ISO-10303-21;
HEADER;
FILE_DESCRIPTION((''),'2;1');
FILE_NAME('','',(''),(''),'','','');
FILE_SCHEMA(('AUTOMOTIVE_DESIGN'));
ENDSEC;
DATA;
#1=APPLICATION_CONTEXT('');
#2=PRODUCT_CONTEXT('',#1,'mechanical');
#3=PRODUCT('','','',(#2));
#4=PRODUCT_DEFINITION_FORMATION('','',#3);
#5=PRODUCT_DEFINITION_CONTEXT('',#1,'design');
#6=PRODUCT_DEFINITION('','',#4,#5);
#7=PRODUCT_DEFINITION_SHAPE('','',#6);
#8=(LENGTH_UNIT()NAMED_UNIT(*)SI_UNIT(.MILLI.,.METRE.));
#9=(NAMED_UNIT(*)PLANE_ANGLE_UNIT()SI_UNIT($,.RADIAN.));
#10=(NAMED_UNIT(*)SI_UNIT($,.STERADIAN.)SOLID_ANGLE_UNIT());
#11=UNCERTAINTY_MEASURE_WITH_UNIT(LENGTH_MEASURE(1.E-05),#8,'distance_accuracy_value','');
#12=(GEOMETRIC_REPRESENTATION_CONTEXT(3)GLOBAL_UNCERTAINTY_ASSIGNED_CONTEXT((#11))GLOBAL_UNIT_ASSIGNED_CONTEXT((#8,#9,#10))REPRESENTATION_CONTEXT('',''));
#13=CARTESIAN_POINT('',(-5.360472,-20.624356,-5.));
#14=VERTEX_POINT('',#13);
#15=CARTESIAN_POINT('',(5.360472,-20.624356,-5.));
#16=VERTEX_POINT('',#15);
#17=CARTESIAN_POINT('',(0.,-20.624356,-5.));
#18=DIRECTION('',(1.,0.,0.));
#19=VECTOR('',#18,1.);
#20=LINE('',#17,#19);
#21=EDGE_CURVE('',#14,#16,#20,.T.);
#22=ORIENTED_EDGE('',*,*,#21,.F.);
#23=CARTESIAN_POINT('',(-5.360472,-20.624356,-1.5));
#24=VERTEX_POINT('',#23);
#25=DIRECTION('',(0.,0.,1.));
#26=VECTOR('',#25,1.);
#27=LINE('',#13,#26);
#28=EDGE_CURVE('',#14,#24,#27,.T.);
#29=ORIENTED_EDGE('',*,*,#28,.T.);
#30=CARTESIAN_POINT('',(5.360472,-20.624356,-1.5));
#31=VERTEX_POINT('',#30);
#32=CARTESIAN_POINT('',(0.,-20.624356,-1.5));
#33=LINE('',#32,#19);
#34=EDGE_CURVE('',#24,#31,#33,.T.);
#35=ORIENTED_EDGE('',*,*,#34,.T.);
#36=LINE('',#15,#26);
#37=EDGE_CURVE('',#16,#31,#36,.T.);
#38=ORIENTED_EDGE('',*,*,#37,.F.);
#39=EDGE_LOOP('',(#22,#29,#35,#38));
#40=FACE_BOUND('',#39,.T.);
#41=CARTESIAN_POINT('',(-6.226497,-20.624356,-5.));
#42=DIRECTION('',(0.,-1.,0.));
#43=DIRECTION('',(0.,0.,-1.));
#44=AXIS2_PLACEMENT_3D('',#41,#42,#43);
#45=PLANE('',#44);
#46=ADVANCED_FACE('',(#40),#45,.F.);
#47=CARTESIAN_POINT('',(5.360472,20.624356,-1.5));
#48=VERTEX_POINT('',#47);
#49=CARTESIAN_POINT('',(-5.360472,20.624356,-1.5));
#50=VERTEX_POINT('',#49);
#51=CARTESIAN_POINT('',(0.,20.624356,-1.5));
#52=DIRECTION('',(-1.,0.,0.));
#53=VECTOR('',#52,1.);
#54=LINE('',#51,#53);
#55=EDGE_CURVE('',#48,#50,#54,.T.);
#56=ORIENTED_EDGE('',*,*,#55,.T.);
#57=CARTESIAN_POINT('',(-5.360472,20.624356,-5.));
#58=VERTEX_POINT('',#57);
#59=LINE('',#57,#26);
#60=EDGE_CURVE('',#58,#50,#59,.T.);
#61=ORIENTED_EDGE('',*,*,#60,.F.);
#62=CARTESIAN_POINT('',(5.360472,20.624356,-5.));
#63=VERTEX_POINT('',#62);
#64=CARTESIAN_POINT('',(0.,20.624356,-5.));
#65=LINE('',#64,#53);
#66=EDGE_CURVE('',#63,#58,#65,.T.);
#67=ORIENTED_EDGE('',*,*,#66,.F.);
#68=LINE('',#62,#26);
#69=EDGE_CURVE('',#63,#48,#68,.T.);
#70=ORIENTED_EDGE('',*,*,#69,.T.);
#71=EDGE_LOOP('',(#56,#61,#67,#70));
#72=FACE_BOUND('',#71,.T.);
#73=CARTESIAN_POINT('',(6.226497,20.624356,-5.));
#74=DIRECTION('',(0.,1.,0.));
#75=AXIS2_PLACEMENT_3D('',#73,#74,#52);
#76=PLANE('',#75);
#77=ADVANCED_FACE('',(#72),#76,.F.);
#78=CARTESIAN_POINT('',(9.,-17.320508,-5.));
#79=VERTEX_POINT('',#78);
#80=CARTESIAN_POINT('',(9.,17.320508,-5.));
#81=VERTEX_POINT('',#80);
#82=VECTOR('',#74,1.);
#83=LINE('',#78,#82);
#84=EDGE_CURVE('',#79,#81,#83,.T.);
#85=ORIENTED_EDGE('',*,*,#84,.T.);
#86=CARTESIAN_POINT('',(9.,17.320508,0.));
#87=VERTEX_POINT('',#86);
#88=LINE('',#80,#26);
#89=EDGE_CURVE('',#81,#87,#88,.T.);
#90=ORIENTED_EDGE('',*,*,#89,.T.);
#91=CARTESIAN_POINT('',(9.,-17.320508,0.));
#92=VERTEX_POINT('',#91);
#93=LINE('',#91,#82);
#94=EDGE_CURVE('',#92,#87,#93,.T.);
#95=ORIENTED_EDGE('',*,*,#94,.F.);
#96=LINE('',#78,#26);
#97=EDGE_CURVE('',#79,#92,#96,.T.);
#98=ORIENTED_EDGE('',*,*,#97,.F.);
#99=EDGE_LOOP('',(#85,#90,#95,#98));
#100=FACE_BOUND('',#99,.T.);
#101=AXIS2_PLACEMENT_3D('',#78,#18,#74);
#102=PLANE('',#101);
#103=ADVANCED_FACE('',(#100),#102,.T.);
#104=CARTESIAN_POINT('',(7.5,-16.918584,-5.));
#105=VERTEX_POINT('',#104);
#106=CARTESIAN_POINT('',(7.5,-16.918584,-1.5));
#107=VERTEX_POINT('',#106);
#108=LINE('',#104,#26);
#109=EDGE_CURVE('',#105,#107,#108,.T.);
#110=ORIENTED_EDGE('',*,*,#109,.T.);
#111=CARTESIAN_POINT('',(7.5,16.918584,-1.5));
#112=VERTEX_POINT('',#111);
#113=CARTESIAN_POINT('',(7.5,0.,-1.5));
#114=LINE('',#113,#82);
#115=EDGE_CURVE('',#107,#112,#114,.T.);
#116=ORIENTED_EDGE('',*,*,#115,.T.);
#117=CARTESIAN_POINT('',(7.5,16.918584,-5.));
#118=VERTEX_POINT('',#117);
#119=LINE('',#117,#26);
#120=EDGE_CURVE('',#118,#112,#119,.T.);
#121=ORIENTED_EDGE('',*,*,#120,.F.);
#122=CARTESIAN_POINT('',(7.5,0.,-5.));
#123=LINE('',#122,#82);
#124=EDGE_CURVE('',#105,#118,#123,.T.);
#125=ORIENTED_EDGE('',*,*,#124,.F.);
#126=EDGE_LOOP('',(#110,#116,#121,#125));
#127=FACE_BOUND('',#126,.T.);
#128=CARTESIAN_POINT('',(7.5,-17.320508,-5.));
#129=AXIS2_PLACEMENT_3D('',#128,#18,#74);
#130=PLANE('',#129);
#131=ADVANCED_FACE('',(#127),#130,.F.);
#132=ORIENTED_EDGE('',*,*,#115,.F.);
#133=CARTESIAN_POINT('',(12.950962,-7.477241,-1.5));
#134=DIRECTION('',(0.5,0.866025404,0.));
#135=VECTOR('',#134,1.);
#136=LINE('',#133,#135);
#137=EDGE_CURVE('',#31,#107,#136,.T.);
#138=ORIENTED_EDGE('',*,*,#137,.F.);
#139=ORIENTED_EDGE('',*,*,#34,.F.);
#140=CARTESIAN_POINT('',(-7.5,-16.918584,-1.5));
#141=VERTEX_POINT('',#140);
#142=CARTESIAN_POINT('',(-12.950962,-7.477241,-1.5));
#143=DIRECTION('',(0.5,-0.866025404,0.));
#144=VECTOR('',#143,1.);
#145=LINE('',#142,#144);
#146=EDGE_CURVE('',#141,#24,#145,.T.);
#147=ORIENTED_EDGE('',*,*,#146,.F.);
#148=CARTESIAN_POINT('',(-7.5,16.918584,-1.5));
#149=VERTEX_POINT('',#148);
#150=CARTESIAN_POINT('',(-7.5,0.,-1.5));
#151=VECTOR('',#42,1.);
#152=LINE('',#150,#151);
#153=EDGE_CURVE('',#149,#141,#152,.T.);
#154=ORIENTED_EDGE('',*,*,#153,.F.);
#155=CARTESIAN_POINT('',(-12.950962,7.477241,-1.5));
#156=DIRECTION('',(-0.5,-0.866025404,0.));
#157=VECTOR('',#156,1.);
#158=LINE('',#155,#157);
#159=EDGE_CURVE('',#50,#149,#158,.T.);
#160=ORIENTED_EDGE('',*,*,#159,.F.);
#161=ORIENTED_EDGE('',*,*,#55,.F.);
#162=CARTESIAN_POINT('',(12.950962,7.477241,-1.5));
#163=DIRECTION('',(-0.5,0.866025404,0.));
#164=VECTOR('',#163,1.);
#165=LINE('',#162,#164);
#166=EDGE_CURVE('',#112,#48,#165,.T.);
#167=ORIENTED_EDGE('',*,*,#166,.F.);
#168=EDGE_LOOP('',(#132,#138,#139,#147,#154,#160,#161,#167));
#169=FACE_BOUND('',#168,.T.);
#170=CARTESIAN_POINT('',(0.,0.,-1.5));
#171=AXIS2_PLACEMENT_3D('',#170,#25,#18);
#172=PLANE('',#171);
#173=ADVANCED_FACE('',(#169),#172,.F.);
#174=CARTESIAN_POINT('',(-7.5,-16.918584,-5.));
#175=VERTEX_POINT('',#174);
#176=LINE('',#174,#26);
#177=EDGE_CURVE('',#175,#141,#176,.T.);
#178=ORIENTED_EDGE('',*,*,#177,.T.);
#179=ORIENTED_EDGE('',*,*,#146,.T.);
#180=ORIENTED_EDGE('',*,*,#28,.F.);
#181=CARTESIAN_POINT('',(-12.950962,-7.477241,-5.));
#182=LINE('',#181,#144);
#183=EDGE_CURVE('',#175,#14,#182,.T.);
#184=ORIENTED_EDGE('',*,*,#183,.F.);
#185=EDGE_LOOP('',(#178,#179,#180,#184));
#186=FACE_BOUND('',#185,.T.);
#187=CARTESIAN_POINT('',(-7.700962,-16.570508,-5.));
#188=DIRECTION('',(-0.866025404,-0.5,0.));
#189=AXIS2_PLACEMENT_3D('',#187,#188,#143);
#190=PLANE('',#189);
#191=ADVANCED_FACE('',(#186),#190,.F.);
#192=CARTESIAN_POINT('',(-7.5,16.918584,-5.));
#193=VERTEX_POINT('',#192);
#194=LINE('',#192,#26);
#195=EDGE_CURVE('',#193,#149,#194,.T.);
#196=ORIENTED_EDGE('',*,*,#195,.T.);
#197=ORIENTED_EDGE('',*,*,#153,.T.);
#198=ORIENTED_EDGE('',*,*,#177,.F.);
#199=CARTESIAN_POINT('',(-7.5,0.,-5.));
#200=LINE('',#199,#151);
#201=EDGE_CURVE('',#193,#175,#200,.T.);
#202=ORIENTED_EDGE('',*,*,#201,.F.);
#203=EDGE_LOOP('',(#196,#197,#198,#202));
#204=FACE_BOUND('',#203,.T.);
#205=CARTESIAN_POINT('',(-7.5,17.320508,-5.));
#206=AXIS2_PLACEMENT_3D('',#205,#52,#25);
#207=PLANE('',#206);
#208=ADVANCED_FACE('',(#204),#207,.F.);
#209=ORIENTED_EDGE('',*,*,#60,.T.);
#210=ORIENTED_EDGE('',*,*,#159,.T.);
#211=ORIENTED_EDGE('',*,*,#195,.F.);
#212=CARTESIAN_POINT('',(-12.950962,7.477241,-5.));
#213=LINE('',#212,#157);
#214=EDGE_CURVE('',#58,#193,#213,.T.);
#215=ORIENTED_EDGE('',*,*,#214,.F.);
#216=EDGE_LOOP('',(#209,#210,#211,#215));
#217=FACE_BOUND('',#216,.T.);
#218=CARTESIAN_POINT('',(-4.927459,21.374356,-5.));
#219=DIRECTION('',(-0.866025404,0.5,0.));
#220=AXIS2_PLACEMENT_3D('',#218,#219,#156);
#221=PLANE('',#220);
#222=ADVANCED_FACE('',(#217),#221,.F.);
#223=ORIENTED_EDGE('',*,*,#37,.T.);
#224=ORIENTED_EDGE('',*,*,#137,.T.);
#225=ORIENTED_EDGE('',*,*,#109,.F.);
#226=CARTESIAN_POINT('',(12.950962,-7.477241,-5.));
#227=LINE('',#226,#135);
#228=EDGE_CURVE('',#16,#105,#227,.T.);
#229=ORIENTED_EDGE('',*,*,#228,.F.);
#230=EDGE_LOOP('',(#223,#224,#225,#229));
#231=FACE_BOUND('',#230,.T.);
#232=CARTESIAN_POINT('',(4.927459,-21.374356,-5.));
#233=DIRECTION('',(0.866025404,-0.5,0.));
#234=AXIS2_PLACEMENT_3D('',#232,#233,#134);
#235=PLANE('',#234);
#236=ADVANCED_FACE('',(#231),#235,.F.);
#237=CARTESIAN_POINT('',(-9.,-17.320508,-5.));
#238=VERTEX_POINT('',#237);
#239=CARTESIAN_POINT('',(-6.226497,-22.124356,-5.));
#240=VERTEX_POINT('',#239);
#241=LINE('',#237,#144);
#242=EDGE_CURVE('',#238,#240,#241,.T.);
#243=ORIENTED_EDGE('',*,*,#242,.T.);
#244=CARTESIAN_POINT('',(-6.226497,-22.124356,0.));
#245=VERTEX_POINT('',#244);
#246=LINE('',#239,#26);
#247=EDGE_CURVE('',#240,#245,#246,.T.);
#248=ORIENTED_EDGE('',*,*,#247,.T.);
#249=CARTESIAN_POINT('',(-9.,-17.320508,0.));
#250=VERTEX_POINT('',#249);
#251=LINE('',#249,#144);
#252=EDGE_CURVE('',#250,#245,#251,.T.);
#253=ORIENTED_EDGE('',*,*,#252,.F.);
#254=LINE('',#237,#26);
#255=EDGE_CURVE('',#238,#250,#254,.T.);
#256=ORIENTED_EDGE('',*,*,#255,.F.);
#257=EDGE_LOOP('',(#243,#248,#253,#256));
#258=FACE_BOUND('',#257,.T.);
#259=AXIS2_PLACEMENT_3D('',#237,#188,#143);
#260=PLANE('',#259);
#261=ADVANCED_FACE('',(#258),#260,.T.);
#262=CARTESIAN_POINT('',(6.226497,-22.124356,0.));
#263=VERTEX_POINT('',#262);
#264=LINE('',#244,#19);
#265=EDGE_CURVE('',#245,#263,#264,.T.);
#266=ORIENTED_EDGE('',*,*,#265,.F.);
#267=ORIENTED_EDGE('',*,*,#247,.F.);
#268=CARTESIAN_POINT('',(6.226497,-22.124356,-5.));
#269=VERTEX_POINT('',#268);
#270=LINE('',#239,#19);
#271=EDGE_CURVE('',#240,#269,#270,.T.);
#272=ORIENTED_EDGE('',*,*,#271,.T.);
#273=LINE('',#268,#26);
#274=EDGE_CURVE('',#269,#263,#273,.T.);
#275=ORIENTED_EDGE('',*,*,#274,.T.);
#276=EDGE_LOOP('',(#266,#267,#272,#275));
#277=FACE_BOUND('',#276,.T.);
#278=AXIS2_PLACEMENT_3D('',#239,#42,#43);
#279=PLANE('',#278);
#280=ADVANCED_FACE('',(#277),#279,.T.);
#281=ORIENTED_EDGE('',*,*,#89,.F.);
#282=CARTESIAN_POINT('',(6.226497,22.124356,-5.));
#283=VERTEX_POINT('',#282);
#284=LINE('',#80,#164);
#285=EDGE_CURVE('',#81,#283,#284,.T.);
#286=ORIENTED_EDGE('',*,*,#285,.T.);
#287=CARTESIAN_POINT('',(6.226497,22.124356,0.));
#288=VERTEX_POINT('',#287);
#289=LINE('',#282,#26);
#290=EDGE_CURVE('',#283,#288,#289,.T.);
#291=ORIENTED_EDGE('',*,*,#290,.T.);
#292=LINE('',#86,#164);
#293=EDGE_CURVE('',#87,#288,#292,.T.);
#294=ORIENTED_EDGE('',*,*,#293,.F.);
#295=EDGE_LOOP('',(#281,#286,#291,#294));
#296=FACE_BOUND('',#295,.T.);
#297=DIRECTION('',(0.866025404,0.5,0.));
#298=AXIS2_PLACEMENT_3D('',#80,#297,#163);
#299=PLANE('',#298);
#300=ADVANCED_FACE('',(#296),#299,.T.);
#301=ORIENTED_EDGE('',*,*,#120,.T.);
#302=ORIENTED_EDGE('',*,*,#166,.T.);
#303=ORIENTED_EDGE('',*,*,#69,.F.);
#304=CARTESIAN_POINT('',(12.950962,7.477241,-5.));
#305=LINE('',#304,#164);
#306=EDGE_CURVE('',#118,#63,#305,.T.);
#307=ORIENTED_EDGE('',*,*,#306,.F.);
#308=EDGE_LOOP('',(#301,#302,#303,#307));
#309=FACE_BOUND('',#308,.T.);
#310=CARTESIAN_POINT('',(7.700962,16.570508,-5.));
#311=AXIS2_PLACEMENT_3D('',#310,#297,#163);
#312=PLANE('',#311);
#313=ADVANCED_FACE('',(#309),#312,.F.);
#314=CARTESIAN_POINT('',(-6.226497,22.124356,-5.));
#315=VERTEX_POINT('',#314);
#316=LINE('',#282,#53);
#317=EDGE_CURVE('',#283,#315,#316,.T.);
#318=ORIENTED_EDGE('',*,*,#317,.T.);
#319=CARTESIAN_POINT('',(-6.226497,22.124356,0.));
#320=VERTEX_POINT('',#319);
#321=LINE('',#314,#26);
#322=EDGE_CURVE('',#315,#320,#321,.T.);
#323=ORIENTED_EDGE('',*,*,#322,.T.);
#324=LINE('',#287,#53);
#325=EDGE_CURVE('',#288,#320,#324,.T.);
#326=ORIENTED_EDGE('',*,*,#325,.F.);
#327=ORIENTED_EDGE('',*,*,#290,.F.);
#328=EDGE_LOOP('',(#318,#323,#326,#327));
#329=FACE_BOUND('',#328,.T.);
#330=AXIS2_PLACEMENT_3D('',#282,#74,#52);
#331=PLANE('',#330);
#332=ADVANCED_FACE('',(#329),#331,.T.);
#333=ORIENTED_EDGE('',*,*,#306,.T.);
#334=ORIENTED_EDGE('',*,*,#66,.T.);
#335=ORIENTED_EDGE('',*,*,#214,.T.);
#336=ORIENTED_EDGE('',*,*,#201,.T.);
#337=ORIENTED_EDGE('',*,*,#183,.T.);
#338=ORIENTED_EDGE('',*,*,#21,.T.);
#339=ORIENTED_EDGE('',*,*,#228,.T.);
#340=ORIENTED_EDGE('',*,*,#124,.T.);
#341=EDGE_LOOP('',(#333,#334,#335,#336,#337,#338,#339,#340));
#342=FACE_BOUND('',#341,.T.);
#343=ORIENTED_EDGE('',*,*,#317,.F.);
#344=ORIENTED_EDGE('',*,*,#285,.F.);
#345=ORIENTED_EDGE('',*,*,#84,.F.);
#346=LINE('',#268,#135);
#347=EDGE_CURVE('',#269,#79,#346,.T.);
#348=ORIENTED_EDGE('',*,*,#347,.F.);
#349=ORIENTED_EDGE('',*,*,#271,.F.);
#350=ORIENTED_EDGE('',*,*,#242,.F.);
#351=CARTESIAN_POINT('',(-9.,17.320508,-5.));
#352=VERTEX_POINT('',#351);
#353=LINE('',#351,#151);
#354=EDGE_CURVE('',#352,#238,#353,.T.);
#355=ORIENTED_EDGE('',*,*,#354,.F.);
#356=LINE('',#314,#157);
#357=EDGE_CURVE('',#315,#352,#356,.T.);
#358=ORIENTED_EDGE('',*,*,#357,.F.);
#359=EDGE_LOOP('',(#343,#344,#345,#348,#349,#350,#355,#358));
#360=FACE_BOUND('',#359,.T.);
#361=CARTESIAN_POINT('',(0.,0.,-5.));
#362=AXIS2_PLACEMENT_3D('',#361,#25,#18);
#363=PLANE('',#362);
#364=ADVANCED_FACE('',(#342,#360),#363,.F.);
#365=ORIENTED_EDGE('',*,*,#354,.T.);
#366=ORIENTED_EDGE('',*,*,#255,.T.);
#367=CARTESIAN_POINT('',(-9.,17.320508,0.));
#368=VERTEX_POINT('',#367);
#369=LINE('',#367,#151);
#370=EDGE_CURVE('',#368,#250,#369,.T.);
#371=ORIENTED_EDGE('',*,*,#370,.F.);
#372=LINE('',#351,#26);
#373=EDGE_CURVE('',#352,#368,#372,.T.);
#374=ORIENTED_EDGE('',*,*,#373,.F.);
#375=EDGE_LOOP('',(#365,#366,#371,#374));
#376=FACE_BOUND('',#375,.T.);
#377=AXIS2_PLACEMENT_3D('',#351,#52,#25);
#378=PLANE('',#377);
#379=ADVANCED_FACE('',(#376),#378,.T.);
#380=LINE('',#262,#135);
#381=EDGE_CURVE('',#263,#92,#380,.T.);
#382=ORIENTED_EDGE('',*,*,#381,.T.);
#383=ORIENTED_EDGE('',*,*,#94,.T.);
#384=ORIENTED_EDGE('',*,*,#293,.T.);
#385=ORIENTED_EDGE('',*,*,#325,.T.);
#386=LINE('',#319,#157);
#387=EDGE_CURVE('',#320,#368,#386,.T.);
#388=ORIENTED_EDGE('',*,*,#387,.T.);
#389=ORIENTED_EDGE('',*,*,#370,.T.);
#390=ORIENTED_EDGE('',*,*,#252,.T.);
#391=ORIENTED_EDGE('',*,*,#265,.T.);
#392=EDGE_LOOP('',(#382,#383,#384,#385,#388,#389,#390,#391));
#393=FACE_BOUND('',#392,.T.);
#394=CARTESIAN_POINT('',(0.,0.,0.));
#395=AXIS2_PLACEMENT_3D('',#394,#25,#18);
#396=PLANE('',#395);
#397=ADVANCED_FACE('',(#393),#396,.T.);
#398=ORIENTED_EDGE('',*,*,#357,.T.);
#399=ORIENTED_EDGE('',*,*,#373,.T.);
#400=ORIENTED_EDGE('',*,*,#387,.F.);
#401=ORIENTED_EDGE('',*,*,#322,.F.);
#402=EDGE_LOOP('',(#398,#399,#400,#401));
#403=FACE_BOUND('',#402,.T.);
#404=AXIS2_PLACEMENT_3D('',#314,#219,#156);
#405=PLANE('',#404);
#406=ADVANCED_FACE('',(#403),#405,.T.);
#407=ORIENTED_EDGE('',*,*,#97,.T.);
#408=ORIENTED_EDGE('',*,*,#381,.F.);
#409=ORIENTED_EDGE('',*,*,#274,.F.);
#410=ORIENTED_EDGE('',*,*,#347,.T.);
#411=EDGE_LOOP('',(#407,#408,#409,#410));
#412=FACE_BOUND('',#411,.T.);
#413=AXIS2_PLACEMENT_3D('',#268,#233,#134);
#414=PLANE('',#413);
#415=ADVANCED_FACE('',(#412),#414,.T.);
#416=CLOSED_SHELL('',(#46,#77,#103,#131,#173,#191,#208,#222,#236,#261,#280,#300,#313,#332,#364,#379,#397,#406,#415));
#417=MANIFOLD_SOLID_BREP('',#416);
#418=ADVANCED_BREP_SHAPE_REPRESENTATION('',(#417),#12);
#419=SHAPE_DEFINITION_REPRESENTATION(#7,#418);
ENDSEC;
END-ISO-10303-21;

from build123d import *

# Parameters (mm, degrees)
BOSS_EXTRUDE1_DEPTH = 5
SHELL1_T            = -1.5


with BuildPart() as part:
    # Sketch1 → Boss-Extrude1 (new body)
    with BuildSketch(Plane.XY):
        Polygon((6.226497308, -22.124355653), (9, -17.320508076), (9, 17.320508076), (6.226497308, 22.124355653), (-6.226497308, 22.124355653), (-9, 17.320508076), (-9, -17.320508076), (-6.226497308, -22.124355653), align=None)
    extrude(amount=-BOSS_EXTRUDE1_DEPTH)

    # Shell1
    shell1_openings = [part.faces().sort_by_distance(p)[0] for p in [
        (0, 0, -5),
    ]]
    offset(amount=SHELL1_T, openings=shell1_openings, kind=Kind.INTERSECTION)


solid = part.part
